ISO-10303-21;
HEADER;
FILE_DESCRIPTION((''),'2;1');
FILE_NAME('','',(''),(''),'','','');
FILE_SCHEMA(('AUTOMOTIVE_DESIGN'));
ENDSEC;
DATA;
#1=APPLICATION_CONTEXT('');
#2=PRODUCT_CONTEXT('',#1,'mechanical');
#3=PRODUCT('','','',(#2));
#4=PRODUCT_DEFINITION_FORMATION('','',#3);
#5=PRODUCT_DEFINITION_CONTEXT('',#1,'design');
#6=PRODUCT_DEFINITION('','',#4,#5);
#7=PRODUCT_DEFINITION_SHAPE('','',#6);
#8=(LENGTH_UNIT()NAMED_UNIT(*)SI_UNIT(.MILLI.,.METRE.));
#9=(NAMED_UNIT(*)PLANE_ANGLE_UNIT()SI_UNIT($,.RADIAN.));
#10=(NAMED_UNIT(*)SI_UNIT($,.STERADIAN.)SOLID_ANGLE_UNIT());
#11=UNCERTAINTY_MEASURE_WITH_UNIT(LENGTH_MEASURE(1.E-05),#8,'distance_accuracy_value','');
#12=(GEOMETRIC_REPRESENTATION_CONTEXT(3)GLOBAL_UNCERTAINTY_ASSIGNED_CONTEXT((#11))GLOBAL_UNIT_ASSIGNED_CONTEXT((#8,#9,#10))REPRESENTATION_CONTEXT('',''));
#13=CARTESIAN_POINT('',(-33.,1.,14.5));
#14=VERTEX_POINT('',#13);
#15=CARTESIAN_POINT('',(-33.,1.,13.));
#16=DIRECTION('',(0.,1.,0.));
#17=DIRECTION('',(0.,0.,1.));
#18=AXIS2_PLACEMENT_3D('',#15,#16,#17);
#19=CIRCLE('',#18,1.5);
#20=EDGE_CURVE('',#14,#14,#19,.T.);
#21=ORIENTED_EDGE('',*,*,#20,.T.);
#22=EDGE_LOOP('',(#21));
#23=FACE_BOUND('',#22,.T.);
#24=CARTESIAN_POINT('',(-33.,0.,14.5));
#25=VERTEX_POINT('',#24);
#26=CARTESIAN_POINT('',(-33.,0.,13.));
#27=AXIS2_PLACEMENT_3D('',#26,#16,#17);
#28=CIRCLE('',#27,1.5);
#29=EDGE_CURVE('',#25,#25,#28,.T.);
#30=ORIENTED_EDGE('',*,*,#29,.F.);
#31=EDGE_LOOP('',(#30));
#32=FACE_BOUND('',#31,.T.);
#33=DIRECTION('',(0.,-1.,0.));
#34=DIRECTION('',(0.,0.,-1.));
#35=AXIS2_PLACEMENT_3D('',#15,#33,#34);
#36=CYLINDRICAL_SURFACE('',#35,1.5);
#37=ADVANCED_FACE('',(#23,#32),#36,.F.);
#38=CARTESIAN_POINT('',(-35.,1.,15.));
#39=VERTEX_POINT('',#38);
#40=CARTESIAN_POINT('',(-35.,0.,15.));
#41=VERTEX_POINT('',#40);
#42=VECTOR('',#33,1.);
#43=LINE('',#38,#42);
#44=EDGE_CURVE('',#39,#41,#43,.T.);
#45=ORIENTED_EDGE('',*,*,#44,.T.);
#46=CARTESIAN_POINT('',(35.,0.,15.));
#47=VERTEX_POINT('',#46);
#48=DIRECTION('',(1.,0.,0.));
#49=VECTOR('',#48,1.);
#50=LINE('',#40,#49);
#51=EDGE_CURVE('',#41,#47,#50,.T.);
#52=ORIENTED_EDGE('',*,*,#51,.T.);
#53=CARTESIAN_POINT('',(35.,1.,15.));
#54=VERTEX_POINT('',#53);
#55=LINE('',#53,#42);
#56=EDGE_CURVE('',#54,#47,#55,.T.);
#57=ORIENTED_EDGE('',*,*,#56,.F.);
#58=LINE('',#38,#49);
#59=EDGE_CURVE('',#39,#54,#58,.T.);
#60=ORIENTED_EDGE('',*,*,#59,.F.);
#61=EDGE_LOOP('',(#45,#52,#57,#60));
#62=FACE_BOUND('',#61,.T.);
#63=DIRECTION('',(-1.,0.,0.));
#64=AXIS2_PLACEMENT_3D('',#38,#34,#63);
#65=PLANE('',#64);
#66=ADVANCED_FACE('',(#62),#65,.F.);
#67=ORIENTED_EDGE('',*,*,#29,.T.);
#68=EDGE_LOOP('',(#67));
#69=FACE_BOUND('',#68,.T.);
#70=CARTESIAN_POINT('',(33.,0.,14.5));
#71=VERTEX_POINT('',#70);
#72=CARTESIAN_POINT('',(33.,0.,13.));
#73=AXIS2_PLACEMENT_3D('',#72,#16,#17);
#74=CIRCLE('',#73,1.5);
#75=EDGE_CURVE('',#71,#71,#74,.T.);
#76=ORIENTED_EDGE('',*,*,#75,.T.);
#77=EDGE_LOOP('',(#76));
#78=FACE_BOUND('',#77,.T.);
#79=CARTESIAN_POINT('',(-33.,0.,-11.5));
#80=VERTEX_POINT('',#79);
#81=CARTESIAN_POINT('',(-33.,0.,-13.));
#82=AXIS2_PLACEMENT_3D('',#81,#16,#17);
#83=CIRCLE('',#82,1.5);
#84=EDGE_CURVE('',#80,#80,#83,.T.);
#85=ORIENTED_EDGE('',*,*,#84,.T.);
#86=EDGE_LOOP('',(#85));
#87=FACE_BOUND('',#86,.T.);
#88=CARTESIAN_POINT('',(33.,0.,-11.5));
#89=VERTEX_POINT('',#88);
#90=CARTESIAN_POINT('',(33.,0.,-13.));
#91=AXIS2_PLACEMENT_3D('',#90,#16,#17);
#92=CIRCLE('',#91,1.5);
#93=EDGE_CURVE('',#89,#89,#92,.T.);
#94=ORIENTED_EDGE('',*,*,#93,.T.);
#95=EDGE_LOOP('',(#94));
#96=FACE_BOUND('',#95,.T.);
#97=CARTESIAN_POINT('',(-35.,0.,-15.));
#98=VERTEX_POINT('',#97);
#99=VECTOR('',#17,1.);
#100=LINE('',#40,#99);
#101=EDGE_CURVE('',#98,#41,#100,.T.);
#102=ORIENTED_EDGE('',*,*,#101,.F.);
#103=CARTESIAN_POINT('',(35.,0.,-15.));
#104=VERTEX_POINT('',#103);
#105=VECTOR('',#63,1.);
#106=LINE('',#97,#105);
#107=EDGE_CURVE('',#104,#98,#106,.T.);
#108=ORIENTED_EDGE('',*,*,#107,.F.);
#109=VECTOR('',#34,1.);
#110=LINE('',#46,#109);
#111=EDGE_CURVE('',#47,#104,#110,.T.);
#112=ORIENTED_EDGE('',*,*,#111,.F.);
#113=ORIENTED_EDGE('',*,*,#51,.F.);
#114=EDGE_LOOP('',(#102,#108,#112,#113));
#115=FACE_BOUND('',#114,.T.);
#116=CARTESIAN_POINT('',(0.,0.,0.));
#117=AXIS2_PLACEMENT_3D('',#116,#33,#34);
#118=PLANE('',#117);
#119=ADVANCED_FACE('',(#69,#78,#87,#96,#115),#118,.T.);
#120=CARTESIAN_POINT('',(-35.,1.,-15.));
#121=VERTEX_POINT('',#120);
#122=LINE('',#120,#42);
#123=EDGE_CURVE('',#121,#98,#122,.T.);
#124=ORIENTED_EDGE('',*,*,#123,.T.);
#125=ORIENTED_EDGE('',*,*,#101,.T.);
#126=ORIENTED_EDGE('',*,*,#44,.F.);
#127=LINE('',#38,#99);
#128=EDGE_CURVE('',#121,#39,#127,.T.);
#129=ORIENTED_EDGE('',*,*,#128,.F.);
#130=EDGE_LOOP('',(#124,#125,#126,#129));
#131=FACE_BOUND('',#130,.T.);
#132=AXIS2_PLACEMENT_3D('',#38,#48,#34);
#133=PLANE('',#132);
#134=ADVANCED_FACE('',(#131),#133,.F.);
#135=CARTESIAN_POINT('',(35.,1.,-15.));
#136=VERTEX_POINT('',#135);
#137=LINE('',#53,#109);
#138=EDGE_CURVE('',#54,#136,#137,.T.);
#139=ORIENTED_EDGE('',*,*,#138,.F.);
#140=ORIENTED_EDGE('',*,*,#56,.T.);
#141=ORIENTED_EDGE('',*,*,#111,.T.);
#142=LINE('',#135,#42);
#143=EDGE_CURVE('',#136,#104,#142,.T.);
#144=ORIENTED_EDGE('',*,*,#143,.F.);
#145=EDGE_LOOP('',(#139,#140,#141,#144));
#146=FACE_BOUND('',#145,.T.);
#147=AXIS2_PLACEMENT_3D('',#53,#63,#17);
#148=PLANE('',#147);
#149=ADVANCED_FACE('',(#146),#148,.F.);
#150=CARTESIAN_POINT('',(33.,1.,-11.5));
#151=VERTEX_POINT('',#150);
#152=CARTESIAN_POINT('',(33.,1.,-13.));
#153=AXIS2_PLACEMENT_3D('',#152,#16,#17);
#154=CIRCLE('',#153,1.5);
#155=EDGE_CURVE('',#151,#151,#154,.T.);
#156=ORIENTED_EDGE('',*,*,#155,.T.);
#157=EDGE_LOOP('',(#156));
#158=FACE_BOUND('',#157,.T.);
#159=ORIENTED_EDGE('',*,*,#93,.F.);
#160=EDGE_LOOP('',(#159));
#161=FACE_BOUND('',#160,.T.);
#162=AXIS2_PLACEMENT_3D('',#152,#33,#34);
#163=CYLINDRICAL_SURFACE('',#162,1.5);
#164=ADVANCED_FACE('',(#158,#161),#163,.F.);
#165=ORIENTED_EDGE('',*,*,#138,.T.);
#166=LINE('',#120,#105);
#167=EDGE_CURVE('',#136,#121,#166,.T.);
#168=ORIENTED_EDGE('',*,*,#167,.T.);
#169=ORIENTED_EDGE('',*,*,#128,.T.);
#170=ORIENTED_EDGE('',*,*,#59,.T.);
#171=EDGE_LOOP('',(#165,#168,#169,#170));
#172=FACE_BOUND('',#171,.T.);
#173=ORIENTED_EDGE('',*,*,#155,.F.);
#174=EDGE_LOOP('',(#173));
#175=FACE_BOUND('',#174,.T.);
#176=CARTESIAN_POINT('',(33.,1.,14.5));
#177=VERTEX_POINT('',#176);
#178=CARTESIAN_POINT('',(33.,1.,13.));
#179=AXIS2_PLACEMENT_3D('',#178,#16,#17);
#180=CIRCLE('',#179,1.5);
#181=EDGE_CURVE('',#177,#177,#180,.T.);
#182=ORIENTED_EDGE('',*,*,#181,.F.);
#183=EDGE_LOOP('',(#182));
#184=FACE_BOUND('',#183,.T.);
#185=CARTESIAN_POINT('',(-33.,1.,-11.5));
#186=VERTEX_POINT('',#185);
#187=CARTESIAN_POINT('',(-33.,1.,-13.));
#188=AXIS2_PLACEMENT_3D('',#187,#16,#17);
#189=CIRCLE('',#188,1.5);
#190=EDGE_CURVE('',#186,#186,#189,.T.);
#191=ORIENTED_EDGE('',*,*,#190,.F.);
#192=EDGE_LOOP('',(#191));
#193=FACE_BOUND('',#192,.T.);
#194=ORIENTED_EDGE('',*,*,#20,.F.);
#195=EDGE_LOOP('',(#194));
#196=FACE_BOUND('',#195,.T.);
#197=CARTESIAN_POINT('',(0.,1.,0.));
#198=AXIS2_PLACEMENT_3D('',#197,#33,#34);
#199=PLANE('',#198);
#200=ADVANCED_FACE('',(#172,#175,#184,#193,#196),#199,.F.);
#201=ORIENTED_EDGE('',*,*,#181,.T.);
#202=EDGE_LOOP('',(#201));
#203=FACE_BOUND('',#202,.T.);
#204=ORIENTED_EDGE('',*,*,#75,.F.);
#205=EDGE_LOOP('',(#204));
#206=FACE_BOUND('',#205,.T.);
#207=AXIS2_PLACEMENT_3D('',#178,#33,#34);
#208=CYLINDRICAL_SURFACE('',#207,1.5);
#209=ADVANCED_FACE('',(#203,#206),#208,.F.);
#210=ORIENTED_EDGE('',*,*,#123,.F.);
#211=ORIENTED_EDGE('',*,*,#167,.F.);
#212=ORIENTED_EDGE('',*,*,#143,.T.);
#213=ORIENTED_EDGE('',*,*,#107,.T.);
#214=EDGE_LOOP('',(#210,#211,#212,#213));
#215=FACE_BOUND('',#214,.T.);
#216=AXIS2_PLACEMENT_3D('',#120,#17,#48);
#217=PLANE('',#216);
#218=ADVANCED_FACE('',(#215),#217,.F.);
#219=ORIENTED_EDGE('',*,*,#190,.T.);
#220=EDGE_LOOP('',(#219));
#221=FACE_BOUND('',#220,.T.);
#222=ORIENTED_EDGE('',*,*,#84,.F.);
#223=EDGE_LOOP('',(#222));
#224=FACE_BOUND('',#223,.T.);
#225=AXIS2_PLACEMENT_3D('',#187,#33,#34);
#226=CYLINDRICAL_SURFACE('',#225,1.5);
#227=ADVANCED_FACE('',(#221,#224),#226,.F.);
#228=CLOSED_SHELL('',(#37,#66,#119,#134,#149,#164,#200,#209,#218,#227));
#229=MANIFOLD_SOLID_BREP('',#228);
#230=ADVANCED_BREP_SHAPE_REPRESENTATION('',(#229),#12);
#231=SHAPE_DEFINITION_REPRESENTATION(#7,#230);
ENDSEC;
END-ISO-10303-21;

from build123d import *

# Parameters (mm, degrees)
SKETCH1_W           = 70
SKETCH1_H           = 30
SKETCH1_R           = 1.5
BOSS_EXTRUDE1_DEPTH = 1


with BuildPart() as part:
    # Sketch1 → Boss-Extrude1 (new body)
    with BuildSketch(Plane(origin=(0, 0, 0), x_dir=(1, 0, 0), z_dir=(0, 1, 0))):
        Rectangle(SKETCH1_W, SKETCH1_H)
        with Locations(Location((-33, 13, 0), (0, 0, 270))):
            Circle(SKETCH1_R, mode=Mode.SUBTRACT)
        with Locations(Location((33, 13, 0), (0, 0, 270))):
            Circle(SKETCH1_R, mode=Mode.SUBTRACT)
        with Locations(Location((33, -13, 0), (0, 0, 270))):
            Circle(SKETCH1_R, mode=Mode.SUBTRACT)
        with Locations(Location((-33, -13, 0), (0, 0, 270))):
            Circle(SKETCH1_R, mode=Mode.SUBTRACT)
    extrude(amount=BOSS_EXTRUDE1_DEPTH)


solid = part.part
